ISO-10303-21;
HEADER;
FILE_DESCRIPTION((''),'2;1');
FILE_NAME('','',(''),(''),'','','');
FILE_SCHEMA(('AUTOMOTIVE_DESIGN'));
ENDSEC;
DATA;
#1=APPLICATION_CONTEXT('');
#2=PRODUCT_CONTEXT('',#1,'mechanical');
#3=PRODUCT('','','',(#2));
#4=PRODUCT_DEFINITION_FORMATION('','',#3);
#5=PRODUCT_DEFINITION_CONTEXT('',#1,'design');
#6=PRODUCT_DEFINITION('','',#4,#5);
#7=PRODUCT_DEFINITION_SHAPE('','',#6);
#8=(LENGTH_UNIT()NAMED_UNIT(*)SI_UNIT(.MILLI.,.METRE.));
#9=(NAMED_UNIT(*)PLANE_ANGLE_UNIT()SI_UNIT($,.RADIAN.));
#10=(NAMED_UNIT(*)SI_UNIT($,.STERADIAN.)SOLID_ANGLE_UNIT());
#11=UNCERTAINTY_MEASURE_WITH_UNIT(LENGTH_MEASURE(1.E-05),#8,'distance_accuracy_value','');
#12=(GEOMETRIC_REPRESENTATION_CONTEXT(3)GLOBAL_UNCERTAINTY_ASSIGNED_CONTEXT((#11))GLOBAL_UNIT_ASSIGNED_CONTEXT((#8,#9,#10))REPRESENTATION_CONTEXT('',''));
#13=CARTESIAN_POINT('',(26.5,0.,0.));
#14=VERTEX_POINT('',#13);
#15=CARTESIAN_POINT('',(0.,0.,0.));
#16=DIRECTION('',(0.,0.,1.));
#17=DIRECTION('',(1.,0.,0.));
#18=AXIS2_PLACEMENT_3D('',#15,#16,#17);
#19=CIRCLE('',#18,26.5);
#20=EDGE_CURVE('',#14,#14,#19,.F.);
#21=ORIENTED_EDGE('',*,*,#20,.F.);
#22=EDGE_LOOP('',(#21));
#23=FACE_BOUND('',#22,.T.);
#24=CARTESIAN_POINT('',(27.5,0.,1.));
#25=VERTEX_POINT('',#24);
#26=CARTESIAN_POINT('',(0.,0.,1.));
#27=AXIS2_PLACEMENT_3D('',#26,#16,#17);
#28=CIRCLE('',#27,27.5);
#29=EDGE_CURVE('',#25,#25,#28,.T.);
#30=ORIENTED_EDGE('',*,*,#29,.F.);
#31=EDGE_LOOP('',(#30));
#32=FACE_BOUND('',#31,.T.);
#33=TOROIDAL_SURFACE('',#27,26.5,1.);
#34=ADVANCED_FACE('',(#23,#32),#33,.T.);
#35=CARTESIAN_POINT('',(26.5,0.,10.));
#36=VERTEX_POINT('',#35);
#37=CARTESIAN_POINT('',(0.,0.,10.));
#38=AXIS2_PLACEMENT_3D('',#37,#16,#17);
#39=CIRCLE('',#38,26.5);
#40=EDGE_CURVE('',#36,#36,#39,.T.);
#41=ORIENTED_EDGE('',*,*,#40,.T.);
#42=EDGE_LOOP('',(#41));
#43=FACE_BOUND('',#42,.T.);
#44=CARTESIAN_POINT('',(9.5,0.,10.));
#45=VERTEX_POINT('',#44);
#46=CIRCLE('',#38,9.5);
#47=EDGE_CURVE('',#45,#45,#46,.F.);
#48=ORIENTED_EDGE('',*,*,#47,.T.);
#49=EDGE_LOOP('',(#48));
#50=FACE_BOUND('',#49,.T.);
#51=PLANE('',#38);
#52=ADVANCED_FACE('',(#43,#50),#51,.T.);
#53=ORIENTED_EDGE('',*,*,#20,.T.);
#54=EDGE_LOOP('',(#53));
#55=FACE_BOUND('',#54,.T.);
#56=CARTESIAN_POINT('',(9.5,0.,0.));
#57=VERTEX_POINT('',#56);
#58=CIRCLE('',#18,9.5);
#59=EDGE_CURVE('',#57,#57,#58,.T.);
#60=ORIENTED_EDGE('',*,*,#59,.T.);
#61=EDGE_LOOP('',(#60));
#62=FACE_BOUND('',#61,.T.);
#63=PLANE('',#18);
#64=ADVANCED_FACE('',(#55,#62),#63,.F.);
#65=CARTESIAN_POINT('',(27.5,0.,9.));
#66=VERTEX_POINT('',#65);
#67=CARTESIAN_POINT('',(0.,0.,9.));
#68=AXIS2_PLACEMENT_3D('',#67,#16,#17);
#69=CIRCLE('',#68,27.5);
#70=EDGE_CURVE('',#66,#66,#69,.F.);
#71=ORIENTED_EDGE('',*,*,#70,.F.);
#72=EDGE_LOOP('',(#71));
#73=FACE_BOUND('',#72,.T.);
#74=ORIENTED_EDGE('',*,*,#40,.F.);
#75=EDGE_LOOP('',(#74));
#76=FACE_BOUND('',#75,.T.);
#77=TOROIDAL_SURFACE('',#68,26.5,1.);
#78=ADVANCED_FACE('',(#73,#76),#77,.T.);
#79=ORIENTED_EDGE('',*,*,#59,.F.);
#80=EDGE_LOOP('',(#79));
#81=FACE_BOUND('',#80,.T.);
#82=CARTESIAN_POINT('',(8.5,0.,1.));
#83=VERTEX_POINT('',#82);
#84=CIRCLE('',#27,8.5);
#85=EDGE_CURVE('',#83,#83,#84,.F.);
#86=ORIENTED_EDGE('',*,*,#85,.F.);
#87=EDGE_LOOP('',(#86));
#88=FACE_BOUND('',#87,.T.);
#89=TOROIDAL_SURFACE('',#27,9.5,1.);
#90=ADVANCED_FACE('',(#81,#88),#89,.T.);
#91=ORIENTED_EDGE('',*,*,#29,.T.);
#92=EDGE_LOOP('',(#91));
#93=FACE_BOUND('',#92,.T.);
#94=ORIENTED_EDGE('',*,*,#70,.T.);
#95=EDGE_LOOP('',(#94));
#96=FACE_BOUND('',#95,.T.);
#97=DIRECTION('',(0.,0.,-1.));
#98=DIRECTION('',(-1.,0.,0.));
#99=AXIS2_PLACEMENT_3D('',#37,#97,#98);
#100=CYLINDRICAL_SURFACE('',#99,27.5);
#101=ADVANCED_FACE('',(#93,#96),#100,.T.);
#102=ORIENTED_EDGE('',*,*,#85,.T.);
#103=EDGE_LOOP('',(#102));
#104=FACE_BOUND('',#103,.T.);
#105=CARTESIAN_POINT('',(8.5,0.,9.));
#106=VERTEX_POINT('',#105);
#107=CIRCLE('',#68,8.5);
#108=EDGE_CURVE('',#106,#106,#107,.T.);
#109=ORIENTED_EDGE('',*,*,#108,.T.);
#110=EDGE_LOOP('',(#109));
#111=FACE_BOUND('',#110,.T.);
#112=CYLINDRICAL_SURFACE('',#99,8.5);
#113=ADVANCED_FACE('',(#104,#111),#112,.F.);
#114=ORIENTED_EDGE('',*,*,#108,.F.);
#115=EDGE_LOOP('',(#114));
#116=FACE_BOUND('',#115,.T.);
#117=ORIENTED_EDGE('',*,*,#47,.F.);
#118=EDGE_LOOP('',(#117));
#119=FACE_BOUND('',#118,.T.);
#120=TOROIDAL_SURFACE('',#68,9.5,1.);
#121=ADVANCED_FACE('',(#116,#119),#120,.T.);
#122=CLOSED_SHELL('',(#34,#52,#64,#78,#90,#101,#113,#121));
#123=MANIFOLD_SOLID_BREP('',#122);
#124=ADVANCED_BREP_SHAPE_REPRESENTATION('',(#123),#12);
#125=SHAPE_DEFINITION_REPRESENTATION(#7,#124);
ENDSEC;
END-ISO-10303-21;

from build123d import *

# Parameters (mm, degrees)
SKETCH1_R           = 27.5
SKETCH1_R_2         = 8.5
BOSS_EXTRUDE1_DEPTH = 10
FILLET1_R           = 1


with BuildPart() as part:
    # Sketch1 → Boss-Extrude1 (new body)
    with BuildSketch(Plane.XY):
        Circle(SKETCH1_R)
        Circle(SKETCH1_R_2, mode=Mode.SUBTRACT)
    extrude(amount=BOSS_EXTRUDE1_DEPTH)

    # Fillet1
    fillet1_edges = [part.edges().sort_by_distance(p)[0] for p in [
        (-27.5, 0, 0),
        (-27.5, 0, 10),
        (-8.5, 0, 0),
        (-8.5, 0, 10),
    ]]
    fillet(fillet1_edges, radius=FILLET1_R)


solid = part.part
